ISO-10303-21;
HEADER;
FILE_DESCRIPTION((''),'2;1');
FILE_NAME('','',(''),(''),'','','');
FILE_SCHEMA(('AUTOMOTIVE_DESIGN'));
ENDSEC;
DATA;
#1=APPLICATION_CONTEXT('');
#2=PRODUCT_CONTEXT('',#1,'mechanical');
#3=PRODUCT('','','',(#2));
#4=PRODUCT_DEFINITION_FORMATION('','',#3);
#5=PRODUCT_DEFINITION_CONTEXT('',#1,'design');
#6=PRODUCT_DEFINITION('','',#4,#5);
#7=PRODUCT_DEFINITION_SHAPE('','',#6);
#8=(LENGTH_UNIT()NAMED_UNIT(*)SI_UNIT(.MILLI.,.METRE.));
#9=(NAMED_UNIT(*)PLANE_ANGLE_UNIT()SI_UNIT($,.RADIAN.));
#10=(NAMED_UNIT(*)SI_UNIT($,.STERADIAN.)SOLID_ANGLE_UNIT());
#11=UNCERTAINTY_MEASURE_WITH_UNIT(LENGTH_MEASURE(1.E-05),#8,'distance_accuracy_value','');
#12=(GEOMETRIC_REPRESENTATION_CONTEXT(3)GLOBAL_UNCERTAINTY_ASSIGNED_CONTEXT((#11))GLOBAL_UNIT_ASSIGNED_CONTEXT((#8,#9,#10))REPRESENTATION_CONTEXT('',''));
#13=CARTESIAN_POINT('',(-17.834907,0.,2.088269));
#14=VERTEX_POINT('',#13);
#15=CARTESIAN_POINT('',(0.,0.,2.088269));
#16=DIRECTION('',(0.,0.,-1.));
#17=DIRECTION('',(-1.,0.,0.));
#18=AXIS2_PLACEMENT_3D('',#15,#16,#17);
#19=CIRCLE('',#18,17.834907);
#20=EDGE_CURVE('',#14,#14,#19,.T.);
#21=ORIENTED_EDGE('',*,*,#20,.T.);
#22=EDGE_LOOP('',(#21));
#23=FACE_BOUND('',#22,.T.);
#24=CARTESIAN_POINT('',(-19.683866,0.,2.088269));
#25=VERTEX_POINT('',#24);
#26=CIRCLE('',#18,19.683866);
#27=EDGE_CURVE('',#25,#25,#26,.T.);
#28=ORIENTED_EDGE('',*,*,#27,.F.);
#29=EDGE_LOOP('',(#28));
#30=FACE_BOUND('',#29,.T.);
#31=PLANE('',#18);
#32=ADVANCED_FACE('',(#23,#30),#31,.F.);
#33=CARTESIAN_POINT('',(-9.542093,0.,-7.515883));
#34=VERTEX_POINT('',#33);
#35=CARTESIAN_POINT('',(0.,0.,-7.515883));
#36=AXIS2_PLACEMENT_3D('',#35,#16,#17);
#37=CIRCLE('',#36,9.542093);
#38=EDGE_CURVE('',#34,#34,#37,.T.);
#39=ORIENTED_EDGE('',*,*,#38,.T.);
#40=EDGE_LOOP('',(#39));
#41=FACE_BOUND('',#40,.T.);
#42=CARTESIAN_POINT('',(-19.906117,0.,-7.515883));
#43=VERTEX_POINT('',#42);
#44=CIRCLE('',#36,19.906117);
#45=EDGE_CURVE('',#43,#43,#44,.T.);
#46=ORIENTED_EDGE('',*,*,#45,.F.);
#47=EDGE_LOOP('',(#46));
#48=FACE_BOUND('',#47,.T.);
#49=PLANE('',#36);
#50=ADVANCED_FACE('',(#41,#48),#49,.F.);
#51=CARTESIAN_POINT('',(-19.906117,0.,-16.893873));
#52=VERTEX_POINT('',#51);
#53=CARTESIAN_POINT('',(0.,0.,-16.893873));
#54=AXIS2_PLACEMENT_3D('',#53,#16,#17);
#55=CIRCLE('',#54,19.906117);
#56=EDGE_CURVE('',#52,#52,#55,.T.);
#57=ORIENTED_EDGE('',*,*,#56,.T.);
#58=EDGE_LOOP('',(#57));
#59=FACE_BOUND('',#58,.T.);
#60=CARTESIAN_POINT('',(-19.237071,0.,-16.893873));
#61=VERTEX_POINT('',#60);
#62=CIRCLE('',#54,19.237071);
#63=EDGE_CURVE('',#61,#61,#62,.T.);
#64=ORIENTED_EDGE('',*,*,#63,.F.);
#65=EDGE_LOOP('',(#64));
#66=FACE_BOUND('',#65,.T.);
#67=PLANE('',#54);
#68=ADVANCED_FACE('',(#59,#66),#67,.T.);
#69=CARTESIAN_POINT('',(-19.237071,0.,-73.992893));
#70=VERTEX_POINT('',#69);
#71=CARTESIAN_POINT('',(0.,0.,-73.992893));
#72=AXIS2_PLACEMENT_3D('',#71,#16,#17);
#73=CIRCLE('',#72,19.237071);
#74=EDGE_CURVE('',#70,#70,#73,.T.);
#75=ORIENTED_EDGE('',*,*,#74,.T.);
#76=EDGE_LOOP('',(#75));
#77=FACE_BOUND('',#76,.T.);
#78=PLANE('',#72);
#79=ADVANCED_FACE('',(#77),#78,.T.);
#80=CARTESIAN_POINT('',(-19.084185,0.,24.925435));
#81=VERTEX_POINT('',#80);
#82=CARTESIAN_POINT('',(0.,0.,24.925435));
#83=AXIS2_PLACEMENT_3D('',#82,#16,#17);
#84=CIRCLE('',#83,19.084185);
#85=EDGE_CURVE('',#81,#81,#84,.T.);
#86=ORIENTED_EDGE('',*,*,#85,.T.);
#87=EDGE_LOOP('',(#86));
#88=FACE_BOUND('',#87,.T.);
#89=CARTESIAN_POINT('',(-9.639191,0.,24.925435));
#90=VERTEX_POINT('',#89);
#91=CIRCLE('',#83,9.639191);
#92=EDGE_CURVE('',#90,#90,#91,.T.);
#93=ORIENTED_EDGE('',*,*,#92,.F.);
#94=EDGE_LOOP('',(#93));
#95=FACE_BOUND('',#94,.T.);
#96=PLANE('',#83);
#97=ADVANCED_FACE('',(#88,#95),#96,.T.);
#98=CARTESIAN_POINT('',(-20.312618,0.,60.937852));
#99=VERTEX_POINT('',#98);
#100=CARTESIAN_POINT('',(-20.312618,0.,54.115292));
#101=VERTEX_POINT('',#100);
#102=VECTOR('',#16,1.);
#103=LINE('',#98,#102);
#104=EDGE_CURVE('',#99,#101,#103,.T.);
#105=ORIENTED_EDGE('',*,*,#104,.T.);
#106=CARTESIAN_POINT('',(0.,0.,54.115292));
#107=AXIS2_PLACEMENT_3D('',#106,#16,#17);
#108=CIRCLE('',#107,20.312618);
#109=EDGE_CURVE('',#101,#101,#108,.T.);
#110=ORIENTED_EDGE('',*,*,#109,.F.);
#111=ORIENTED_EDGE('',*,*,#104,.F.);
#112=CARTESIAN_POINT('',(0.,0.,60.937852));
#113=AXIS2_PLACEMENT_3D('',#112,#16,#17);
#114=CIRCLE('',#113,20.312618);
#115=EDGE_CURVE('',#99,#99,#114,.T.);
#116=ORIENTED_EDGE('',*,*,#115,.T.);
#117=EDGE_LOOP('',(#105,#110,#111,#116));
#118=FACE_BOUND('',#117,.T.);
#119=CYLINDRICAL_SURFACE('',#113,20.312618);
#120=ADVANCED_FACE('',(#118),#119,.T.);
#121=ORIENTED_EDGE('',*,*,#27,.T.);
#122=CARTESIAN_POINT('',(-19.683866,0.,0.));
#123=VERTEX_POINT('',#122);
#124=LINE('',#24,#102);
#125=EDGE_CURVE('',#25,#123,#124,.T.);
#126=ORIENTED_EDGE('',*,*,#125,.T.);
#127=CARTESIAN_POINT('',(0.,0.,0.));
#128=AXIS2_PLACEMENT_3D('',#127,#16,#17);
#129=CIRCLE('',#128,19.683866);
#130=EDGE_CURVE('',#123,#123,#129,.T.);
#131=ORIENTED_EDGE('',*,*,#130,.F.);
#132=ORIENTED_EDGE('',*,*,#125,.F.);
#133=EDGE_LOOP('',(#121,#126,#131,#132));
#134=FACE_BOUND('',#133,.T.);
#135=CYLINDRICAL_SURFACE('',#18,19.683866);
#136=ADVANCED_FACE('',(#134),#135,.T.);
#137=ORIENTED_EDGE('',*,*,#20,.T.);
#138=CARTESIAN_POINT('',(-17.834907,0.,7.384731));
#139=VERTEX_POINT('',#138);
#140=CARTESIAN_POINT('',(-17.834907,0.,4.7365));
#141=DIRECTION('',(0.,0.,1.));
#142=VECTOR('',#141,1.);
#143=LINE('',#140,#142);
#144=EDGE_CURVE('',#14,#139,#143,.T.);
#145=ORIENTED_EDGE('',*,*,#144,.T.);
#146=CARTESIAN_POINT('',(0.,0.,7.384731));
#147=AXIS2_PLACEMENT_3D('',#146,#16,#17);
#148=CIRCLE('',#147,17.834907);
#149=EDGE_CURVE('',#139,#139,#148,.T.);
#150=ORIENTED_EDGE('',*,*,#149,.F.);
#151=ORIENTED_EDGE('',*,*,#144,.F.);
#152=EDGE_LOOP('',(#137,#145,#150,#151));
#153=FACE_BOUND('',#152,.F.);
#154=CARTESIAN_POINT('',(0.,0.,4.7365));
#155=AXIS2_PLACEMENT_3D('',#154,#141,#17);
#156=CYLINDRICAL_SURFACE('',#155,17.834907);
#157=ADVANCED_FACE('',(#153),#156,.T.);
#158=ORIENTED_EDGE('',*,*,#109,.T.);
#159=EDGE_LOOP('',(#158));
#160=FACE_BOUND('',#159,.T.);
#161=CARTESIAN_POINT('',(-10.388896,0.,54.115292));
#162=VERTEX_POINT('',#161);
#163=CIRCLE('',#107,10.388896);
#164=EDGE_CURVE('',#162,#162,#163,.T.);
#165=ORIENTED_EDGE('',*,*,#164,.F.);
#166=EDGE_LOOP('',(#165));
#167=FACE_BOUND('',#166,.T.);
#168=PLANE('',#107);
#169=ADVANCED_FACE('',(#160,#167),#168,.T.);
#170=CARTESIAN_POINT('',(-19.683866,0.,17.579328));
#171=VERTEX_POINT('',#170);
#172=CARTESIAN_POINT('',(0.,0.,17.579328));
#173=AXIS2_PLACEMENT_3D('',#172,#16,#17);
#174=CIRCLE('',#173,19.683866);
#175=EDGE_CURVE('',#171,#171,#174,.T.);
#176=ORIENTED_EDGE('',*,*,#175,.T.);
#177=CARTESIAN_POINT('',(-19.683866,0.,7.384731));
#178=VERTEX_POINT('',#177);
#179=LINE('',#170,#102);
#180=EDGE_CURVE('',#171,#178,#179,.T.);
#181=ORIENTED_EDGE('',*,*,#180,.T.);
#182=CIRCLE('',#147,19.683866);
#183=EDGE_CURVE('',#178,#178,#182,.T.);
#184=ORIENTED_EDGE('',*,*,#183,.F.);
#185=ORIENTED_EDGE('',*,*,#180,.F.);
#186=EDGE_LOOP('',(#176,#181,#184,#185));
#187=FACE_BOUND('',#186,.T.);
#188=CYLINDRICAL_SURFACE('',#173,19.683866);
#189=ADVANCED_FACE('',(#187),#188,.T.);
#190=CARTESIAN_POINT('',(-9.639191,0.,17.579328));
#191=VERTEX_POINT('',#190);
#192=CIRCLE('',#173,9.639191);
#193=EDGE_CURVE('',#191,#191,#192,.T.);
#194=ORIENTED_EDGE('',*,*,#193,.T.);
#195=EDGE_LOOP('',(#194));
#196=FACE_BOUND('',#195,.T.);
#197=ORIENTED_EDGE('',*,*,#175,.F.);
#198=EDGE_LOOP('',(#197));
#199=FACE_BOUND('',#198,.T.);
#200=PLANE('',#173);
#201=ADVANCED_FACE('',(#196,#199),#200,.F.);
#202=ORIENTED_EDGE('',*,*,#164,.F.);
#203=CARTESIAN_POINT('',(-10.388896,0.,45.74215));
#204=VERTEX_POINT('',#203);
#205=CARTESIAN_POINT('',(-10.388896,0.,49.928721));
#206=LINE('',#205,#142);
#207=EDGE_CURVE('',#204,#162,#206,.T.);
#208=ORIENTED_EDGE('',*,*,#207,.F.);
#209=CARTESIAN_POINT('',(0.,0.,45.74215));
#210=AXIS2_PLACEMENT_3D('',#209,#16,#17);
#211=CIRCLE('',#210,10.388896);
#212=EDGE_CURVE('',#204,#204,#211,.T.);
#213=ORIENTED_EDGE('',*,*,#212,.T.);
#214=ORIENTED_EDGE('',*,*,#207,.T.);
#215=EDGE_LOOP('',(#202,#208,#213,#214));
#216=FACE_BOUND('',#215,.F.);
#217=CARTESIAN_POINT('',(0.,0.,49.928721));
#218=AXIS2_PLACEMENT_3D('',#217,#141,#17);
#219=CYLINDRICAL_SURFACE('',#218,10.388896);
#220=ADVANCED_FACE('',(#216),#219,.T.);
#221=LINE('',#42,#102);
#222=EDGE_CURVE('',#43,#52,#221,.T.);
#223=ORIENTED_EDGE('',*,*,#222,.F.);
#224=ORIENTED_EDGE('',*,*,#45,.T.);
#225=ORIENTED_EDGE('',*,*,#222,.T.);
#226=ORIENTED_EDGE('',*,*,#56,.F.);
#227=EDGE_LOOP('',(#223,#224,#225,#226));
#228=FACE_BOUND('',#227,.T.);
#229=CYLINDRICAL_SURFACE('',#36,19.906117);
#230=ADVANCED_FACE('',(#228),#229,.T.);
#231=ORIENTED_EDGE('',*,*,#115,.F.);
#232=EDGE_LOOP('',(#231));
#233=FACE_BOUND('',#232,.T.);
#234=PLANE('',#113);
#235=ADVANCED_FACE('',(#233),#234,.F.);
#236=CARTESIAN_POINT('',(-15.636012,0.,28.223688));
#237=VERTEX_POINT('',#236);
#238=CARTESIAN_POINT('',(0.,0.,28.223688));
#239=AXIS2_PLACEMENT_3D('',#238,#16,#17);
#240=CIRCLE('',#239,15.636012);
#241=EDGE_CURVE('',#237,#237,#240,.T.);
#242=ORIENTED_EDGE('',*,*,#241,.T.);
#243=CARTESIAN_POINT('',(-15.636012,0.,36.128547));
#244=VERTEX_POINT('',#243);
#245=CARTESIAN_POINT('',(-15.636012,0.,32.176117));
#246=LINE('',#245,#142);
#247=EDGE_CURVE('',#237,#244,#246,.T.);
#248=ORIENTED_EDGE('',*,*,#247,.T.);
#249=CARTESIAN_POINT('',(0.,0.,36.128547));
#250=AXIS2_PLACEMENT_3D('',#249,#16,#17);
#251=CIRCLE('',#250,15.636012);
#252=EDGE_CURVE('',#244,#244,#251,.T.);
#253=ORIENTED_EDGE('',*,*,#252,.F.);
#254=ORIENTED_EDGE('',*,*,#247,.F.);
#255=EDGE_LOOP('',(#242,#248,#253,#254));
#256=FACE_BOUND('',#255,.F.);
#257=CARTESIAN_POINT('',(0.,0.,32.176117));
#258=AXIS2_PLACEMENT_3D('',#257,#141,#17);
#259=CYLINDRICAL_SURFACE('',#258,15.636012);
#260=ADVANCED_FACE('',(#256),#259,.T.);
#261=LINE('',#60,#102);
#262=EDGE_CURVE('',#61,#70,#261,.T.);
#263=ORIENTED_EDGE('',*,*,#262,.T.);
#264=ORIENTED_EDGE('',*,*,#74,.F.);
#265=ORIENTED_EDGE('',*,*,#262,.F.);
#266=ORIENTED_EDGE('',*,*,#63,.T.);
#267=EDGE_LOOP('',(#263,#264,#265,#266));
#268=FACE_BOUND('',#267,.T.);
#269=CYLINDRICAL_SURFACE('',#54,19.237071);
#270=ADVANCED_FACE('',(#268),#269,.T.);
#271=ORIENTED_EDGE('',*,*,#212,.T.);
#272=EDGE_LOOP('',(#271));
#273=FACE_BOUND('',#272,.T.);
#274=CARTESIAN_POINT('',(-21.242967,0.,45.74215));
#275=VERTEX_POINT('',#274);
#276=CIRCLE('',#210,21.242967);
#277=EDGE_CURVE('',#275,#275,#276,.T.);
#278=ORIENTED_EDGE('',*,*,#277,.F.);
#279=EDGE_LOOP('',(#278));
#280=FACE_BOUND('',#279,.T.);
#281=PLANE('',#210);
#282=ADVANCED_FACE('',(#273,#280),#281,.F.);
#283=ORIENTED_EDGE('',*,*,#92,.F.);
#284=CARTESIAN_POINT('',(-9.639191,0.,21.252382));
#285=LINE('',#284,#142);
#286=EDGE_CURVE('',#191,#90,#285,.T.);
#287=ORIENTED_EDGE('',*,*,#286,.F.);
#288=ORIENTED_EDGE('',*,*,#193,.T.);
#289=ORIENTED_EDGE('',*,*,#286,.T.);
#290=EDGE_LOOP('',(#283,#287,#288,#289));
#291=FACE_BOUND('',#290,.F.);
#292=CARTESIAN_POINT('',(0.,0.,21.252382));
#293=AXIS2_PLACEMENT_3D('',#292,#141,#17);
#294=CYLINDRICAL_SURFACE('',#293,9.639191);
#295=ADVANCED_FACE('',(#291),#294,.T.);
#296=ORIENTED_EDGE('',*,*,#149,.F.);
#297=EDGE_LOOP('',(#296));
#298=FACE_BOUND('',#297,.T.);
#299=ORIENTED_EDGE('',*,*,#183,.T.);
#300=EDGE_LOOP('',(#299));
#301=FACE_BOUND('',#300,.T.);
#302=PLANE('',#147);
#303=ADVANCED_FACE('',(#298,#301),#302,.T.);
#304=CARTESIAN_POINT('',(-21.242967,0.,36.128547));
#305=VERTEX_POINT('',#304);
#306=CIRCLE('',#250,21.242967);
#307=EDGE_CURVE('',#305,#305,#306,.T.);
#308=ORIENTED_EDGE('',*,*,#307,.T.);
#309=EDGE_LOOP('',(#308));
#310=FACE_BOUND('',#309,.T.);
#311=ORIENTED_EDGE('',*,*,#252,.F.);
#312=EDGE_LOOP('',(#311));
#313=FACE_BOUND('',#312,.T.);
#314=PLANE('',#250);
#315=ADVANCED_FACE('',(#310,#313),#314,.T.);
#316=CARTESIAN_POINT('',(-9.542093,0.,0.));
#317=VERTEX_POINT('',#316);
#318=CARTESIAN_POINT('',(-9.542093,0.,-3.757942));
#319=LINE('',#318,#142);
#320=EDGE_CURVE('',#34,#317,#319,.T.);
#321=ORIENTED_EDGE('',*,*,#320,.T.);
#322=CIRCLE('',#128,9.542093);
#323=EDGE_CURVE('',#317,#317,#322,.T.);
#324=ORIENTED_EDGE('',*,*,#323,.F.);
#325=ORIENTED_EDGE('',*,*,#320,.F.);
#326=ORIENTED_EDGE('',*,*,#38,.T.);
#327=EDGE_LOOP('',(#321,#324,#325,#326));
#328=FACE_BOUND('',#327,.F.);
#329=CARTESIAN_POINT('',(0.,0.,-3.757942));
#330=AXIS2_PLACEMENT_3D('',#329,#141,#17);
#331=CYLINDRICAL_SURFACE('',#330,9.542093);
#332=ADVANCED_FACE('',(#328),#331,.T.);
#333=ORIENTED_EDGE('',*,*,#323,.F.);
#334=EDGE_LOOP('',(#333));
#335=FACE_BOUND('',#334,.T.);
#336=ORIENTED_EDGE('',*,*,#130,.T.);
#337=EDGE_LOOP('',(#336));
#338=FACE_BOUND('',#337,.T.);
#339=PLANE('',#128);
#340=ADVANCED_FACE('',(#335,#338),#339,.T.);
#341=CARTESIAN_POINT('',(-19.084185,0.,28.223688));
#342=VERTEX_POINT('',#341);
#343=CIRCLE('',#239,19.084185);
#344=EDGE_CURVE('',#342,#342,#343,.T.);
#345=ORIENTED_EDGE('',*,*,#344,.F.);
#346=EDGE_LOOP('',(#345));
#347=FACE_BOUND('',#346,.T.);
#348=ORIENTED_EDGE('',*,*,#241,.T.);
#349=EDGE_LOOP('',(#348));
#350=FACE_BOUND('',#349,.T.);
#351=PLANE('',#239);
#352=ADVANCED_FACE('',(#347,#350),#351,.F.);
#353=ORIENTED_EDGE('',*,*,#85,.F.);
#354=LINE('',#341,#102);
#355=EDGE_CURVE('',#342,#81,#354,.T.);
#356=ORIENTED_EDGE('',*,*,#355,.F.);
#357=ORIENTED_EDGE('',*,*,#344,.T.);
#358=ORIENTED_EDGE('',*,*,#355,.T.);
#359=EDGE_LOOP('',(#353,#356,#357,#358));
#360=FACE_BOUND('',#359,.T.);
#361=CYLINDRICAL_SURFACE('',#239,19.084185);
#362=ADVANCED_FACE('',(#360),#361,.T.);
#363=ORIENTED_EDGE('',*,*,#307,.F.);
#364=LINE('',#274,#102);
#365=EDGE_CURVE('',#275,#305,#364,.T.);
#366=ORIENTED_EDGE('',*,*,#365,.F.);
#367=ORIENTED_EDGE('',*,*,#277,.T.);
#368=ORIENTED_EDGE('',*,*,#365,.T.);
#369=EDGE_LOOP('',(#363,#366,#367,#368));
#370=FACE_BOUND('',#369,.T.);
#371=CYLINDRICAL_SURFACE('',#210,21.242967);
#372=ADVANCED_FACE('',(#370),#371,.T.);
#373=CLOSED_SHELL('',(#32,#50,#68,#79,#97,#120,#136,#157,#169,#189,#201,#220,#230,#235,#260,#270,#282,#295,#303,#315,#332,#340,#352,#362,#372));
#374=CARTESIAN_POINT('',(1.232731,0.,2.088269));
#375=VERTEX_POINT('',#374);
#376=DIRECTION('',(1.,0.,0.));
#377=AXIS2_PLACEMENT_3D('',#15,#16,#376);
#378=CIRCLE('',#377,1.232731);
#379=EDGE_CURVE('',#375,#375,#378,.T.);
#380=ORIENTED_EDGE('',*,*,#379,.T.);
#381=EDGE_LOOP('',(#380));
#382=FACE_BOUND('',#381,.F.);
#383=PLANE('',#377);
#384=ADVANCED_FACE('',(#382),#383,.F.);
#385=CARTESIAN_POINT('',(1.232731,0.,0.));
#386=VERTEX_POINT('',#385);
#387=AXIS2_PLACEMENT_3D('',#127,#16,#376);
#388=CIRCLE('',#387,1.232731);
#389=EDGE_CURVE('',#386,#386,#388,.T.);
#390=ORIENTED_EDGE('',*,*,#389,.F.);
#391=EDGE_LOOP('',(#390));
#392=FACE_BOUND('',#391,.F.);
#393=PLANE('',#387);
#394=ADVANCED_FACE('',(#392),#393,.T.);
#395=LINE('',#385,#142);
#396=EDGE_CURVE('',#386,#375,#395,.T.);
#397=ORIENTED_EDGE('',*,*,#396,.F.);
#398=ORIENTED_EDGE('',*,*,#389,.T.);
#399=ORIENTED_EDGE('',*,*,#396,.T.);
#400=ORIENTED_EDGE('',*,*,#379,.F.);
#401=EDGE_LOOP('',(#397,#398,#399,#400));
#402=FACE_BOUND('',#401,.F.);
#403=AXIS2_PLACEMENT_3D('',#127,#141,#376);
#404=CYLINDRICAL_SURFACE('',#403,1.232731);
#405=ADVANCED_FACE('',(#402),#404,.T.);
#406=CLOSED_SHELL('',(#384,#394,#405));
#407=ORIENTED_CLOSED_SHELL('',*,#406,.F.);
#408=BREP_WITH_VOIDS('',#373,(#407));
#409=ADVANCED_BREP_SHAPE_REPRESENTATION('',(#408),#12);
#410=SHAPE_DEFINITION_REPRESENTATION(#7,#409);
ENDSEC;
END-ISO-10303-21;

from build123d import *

# Parameters (mm, degrees)
F0_W   = 10.3888958693
F0_H   = 8.3731412888
F0_W_2 = 15.6360119581
F0_H_2 = 7.9048592597
F0_W_3 = 9.6391905099
F0_H_3 = 7.3461066931
F0_W_4 = 17.8349073976
F0_H_4 = 5.2964619827
F0_W_5 = 9.5420926809
F0_H_5 = 7.5158830732
F0_W_6 = 19.2370712757
F0_H_6 = 42.4508359283
F0_H_7 = 14.6481841803


with BuildPart() as f1:
    # F0 (on Front) → F1 (revolve)
    with BuildSketch(Plane.XZ):
        Polygon((0, 54.1152916849), (0, 60.9378516674), (-20.3126184642, 60.9378516674), (-20.3126184642, 54.1152916849), (-10.3888958693, 54.1152916849), align=None)
        with Locations((-5.1944479346, 49.9287210405)):
            Rectangle(F0_W, F0_H)
        Polygon((0, 36.1285470426), (0, 45.7421503961), (-10.3888958693, 45.7421503961), (-21.2429668754, 45.7421503961), (-21.2429668754, 36.1285470426), (-15.6360119581, 36.1285470426), align=None)
        with Locations((-7.8180059791, 32.1761174127)):
            Rectangle(F0_W_2, F0_H_2)
        Polygon((0, 24.9254349619), (0, 28.2236877829), (-15.6360119581, 28.2236877829), (-19.0841853619, 28.2236877829), (-19.0841853619, 24.9254349619), (-9.6391905099, 24.9254349619), align=None)
        with Locations((-4.819595255, 21.2523816153)):
            Rectangle(F0_W_3, F0_H_3)
        Polygon((0, 7.384730503), (0, 17.5793282688), (-9.6391905099, 17.5793282688), (-19.6838658303, 17.5793282688), (-19.6838658303, 7.384730503), (-17.8349073976, 7.384730503), align=None)
        with Locations((-8.9174536988, 4.7364995116)):
            Rectangle(F0_W_4, F0_H_4)
        Polygon((1.2327310396, 2.0882685203), (0, 2.0882685203), (-17.8349073976, 2.0882685203), (-19.6838658303, 2.0882685203), (-19.6838658303, 0), (-9.5420926809, 0), (0, 0), (1.2327310396, 0), align=None)
        with Locations((-4.7710463405, -3.7579415366)):
            Rectangle(F0_W_5, F0_H_5)
        Polygon((0, -16.8938729912), (0, -7.5158830732), (-9.5420926809, -7.5158830732), (-19.9061166495, -7.5158830732), (-19.9061166495, -16.8938729912), (-19.2370712757, -16.8938729912), align=None)
        with Locations((-9.6185356379, -38.1192909554)):
            Rectangle(F0_W_6, F0_H_6)
        with Locations((-9.6185356379, -66.6688010097)):
            Rectangle(F0_W_6, F0_H_7)
    revolve(axis=Axis((0, 0, -38.1192909554), (0, 0, -1)))


solid = f1.part
